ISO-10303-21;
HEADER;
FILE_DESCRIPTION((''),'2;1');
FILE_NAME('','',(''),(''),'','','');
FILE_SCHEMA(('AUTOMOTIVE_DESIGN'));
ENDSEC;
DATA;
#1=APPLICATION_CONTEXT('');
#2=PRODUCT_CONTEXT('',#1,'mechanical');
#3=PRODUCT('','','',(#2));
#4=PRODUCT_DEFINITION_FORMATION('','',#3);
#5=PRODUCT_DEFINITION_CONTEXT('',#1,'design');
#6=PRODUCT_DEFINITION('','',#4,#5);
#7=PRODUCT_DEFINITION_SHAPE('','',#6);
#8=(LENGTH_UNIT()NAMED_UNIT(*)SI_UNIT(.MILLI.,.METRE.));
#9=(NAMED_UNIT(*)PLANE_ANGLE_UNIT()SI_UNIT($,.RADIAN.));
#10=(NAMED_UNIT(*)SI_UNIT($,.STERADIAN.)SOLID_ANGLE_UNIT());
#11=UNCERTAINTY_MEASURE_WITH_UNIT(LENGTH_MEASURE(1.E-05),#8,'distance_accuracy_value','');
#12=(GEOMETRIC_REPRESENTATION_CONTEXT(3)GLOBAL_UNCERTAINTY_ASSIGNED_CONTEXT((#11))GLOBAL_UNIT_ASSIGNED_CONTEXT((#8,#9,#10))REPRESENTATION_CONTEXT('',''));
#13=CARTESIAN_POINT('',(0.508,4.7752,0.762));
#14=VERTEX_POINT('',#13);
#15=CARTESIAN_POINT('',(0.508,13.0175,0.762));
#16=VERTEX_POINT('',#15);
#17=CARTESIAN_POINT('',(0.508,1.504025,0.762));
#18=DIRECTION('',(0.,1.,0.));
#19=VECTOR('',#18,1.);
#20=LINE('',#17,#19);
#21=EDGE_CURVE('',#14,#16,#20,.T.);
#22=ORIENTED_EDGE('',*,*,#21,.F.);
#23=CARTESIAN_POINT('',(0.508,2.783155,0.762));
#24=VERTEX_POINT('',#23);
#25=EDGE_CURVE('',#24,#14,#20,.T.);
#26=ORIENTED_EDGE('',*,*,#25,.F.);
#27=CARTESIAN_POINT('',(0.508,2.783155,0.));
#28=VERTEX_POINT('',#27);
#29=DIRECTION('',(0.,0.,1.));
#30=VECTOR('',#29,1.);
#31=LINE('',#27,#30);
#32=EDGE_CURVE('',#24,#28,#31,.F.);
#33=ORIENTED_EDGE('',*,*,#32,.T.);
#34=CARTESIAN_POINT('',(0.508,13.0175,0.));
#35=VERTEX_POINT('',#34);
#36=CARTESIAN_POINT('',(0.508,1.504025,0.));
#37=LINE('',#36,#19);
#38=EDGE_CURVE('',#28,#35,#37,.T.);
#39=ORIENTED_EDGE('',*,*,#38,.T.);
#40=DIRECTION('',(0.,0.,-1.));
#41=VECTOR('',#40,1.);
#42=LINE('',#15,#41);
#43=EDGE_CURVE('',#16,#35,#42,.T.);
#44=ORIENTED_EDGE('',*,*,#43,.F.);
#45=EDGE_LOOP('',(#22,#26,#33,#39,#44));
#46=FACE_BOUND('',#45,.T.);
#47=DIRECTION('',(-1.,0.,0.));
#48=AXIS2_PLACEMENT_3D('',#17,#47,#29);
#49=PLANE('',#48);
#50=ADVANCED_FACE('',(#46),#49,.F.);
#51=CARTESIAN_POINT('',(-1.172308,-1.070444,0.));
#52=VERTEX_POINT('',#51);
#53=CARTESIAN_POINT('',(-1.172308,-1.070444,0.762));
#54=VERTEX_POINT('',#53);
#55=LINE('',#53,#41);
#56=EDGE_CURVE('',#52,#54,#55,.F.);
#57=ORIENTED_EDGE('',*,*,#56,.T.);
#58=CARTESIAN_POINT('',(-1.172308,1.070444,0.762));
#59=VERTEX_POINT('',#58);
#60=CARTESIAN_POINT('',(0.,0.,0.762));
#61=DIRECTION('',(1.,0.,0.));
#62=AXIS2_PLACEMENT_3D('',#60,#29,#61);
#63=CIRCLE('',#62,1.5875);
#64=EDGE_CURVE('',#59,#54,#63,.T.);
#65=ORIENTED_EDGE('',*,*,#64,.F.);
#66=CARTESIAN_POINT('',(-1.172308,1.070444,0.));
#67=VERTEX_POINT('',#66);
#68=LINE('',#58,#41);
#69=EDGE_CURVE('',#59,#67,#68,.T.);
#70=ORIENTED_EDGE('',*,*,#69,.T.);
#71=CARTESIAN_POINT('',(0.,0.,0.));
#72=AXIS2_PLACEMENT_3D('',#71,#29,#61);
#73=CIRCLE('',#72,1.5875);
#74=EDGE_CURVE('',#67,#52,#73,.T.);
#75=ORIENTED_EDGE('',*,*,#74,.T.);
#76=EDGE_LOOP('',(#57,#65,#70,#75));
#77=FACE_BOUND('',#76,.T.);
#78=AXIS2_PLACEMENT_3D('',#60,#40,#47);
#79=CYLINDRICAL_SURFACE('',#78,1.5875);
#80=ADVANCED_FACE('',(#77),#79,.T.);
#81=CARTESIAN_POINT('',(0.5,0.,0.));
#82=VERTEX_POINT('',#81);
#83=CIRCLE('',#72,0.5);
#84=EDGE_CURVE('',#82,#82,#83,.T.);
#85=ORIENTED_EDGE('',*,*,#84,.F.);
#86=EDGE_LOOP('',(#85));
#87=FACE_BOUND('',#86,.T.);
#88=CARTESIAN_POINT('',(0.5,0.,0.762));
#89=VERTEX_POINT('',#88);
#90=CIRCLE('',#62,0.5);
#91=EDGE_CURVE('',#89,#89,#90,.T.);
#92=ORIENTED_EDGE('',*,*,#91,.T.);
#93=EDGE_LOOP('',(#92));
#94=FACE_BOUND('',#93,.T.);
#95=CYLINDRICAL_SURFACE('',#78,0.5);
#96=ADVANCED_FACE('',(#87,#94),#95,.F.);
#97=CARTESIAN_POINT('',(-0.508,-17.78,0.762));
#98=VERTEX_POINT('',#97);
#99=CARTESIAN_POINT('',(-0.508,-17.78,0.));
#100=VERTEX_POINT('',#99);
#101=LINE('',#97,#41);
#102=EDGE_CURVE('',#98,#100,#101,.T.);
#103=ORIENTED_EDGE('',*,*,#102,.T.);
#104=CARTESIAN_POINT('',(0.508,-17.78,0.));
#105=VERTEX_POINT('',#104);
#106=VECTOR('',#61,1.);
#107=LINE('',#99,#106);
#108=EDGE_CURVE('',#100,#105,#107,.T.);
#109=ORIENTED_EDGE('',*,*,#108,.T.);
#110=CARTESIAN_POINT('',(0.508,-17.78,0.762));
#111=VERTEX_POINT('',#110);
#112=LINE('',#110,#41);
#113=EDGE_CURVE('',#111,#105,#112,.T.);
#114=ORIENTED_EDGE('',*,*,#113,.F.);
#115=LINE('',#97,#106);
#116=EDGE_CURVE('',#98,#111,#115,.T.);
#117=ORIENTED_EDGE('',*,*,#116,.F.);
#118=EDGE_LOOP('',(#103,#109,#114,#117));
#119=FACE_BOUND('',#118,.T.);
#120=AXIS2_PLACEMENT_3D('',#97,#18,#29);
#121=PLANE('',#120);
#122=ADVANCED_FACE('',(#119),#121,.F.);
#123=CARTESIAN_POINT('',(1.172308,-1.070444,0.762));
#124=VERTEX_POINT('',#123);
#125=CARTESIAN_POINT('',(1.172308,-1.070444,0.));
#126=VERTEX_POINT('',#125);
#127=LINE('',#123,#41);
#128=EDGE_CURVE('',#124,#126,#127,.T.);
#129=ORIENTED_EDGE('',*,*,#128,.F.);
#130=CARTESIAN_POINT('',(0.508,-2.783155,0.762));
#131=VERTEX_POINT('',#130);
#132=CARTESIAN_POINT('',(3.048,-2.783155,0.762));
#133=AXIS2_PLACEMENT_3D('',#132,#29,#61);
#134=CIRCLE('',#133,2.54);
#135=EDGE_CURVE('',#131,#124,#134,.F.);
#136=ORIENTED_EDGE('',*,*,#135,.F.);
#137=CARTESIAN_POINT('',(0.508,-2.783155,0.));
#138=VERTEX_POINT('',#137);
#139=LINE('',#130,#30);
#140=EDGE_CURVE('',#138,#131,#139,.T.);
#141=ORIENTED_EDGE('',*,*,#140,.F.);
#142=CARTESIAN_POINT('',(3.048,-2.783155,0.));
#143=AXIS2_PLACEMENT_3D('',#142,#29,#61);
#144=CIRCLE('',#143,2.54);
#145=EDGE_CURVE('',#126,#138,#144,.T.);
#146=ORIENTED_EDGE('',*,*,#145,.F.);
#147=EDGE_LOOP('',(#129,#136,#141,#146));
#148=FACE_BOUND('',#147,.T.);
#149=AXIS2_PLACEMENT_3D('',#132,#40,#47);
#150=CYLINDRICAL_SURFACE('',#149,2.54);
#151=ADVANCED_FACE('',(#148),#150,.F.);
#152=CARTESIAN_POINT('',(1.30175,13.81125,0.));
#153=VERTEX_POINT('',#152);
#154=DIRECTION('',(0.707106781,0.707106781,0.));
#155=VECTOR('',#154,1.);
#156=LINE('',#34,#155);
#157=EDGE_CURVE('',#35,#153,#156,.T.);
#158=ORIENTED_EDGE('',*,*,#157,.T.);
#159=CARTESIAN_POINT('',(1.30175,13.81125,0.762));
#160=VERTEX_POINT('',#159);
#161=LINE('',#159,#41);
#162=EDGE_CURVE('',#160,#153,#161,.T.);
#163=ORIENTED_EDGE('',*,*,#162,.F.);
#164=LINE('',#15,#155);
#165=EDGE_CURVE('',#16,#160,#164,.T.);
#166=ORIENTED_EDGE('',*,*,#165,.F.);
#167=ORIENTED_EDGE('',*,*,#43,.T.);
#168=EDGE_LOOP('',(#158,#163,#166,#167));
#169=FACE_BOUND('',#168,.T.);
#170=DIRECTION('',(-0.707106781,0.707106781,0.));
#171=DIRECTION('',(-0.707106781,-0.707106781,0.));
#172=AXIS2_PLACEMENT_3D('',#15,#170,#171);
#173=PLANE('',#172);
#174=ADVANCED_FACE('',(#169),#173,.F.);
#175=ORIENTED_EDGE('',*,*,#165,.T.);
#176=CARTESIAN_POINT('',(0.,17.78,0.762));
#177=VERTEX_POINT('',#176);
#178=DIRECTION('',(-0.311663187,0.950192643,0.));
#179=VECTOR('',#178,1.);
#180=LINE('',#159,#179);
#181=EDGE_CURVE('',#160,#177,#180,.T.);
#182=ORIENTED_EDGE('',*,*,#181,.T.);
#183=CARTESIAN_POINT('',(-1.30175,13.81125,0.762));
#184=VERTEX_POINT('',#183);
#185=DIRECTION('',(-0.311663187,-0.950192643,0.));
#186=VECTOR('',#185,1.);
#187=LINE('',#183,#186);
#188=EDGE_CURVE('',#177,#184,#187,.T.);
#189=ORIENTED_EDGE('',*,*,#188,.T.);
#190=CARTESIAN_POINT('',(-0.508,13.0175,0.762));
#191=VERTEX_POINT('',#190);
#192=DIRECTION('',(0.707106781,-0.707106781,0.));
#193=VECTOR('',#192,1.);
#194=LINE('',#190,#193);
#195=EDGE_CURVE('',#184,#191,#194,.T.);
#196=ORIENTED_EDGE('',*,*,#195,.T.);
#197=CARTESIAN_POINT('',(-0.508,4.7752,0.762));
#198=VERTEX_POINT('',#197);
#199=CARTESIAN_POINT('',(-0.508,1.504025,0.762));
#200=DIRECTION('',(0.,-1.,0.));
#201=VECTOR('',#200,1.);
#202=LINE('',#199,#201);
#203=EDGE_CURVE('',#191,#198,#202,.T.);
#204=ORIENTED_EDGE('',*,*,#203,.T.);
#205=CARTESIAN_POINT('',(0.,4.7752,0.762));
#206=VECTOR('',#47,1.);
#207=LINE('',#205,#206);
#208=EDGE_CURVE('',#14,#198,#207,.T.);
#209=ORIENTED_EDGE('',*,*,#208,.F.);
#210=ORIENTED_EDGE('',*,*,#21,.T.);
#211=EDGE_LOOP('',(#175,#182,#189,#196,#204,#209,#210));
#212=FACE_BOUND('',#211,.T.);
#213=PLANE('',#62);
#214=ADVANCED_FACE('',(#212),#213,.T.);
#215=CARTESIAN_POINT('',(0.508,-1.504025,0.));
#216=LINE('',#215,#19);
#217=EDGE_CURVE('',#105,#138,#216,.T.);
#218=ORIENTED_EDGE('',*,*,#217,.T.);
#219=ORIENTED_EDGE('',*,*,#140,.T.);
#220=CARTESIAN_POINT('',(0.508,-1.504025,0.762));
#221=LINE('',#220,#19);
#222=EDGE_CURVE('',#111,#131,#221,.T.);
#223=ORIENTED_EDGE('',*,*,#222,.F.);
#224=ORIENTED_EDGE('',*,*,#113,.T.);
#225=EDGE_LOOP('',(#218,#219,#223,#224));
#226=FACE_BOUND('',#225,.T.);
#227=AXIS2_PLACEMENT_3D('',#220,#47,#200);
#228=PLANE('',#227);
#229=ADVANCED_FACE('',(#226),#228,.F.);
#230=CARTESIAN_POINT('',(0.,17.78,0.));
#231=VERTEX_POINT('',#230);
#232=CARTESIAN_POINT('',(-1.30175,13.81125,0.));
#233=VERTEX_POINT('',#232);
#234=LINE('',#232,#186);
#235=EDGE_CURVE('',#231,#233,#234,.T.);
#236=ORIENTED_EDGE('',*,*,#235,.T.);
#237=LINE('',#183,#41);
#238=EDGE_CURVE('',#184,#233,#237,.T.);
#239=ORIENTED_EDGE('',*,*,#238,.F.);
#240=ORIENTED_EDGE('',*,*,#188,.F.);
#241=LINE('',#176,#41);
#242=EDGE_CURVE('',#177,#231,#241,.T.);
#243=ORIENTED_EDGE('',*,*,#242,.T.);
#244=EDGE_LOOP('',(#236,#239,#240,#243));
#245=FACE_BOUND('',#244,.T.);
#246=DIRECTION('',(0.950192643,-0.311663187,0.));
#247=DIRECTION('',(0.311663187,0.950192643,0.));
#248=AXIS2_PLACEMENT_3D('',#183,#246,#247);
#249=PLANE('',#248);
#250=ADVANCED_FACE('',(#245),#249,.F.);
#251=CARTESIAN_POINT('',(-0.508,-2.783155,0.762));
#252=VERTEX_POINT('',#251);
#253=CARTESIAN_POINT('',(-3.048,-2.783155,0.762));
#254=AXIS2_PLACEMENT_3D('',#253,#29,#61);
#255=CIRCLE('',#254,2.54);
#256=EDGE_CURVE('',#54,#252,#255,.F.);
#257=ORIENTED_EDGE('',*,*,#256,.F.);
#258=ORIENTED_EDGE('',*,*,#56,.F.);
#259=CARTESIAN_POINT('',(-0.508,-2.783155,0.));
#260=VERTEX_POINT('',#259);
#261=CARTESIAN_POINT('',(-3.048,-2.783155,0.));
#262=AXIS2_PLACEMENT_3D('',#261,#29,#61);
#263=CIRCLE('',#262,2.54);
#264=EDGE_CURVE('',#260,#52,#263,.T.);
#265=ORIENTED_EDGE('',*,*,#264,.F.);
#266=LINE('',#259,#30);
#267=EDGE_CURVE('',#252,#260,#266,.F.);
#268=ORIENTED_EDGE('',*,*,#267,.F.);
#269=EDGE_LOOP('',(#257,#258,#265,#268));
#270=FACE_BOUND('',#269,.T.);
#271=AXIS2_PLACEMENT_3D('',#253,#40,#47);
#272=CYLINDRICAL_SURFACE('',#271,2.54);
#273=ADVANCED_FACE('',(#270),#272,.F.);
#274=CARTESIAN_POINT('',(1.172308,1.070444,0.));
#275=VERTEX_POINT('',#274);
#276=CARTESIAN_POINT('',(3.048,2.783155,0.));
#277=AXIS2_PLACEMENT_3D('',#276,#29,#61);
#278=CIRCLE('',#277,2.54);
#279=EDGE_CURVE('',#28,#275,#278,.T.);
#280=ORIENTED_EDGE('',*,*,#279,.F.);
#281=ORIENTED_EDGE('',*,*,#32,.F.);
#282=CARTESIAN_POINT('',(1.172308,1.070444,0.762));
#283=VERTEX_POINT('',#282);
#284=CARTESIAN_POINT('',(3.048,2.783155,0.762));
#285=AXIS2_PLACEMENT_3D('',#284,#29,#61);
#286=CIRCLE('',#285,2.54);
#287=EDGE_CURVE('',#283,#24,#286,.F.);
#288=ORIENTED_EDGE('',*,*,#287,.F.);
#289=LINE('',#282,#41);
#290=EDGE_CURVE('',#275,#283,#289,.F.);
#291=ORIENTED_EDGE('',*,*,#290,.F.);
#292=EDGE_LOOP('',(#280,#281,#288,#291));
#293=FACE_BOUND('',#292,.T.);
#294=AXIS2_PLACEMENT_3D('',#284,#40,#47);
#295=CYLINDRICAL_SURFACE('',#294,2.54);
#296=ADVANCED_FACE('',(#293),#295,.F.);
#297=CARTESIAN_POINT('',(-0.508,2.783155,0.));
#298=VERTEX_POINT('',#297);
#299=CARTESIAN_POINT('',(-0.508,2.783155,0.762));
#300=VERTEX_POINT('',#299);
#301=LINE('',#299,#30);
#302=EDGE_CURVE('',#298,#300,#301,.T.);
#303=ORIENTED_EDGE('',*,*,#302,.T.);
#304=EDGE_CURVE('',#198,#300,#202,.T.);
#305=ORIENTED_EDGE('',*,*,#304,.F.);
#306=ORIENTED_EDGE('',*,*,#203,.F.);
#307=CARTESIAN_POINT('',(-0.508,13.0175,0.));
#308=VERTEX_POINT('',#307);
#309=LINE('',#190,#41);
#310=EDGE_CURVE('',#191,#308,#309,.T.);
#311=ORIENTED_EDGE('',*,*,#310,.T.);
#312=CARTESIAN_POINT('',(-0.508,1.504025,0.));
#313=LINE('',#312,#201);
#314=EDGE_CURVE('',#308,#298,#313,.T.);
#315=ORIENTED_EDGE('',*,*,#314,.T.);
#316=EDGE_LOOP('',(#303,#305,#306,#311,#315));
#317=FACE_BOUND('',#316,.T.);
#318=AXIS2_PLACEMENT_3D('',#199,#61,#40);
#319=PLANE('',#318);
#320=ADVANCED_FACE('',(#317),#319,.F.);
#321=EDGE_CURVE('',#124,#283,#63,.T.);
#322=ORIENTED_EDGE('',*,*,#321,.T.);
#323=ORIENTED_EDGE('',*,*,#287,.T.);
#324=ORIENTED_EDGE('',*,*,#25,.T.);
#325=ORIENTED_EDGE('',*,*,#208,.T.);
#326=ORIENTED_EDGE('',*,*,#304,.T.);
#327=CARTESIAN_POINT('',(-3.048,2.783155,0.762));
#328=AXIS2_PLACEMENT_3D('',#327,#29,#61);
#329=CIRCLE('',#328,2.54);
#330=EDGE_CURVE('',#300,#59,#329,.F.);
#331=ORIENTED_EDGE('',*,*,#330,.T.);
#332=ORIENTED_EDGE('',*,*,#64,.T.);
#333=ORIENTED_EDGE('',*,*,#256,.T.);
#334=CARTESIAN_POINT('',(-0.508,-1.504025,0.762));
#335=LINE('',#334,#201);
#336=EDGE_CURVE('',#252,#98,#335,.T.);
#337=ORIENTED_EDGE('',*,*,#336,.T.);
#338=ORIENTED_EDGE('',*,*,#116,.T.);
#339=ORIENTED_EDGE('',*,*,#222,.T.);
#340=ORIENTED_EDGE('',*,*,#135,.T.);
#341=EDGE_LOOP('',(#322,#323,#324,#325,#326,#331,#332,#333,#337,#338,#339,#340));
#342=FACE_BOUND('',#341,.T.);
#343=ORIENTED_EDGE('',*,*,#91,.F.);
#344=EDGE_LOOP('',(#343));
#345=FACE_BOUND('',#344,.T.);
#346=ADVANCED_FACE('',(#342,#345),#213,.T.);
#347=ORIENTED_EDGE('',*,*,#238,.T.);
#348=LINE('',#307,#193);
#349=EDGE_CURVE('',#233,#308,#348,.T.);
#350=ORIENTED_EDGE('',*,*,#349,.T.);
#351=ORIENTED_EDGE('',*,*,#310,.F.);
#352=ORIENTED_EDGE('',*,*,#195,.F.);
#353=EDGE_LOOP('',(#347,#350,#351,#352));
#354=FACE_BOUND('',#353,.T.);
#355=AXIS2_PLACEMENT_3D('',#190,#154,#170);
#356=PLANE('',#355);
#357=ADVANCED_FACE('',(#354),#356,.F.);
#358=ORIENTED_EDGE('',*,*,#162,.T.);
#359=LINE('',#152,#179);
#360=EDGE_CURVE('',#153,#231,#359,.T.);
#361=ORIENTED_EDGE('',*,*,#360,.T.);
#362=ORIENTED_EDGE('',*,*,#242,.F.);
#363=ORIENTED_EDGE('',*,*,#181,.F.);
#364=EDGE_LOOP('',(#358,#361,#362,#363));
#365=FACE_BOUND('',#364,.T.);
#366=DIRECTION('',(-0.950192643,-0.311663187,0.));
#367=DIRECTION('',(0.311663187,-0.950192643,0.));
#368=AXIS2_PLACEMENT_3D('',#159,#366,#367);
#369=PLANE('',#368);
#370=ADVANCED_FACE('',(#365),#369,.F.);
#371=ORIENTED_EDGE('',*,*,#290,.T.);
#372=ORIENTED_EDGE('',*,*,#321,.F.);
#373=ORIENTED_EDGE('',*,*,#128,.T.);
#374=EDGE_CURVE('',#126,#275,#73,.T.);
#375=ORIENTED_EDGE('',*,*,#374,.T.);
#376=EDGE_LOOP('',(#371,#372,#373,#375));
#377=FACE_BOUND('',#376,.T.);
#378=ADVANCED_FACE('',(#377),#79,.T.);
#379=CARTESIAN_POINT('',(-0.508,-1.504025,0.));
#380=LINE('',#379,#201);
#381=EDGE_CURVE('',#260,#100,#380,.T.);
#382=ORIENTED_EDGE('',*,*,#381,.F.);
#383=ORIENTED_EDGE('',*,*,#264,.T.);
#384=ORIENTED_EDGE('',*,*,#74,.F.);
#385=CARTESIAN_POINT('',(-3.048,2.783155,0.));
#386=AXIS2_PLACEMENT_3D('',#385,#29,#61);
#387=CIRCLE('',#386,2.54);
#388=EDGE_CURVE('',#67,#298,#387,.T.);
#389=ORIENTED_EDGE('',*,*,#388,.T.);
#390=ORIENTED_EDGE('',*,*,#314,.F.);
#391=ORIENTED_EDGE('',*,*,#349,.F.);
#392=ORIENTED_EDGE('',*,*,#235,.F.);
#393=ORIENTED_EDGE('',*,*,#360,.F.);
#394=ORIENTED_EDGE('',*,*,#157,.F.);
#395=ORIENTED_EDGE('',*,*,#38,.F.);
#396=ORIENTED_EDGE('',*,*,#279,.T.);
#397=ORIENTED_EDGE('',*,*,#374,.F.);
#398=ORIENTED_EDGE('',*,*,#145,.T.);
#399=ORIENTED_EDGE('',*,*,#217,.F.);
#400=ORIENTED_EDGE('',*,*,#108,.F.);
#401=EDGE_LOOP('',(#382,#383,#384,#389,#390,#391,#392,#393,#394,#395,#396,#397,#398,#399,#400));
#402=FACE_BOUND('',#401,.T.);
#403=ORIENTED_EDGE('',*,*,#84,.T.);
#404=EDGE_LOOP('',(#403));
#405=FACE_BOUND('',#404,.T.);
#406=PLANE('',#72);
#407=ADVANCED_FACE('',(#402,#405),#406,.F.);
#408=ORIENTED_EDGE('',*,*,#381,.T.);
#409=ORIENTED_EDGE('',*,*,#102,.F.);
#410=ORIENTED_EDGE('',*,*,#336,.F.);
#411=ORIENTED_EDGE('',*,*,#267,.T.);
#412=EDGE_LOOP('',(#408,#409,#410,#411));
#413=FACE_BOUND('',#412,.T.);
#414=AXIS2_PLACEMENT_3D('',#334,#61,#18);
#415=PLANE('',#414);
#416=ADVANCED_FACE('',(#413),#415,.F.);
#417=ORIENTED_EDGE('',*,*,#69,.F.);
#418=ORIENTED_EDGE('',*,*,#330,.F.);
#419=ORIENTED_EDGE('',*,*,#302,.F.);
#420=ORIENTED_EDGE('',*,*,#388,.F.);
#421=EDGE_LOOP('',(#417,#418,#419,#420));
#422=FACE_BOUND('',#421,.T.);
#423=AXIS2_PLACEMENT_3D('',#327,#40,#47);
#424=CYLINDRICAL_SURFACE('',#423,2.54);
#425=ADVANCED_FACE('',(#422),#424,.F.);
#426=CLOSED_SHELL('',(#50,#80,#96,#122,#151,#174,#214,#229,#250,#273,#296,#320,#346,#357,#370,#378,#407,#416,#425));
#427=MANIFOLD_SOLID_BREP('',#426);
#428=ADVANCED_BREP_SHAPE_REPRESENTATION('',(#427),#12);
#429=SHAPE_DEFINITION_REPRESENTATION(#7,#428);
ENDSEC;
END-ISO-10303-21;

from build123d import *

# Parameters (mm, degrees)
SKETCH1_R           = 0.5
BOSS_EXTRUDE1_DEPTH = 0.762
FILLET1_R           = 2.54


with BuildPart() as part:
    # Sketch1 → Boss-Extrude1 (new body)
    with BuildSketch(Plane.XY):
        with BuildLine():
            Line((-0.508, 13.0175), (-1.30175, 13.81125))
            Line((-1.30175, 13.81125), (0, 17.78))
            Line((0, 17.78), (1.30175, 13.81125))
            Line((1.30175, 13.81125), (0.508, 13.0175))
            Line((0.508, 13.0175), (0.508, 1.504025349))
            ThreePointArc((0.508, 1.504025349), (1.5875, 0), (0.508, -1.504025349))
            Line((0.508, -1.504025349), (0.508, -17.78))
            Line((0.508, -17.78), (-0.508, -17.78))
            Line((-0.508, -17.78), (-0.508, -1.504025349))
            ThreePointArc((-0.508, -1.504025349), (-1.5875, 0), (-0.508, 1.504025349))
            Line((-0.508, 1.504025349), (-0.508, 13.0175))
        make_face()
        Circle(SKETCH1_R, mode=Mode.SUBTRACT)
    extrude(amount=BOSS_EXTRUDE1_DEPTH)

    # Fillet1
    fillet1_edges = [part.edges().sort_by_distance(p)[0] for p in [
        (0.508, -1.504025349, 0.381),
        (-0.508, -1.504025349, 0.381),
        (-0.508, 1.504025349, 0.381),
        (0.508, 1.504025349, 0.381),
    ]]
    fillet(fillet1_edges, radius=FILLET1_R)


solid = part.part
